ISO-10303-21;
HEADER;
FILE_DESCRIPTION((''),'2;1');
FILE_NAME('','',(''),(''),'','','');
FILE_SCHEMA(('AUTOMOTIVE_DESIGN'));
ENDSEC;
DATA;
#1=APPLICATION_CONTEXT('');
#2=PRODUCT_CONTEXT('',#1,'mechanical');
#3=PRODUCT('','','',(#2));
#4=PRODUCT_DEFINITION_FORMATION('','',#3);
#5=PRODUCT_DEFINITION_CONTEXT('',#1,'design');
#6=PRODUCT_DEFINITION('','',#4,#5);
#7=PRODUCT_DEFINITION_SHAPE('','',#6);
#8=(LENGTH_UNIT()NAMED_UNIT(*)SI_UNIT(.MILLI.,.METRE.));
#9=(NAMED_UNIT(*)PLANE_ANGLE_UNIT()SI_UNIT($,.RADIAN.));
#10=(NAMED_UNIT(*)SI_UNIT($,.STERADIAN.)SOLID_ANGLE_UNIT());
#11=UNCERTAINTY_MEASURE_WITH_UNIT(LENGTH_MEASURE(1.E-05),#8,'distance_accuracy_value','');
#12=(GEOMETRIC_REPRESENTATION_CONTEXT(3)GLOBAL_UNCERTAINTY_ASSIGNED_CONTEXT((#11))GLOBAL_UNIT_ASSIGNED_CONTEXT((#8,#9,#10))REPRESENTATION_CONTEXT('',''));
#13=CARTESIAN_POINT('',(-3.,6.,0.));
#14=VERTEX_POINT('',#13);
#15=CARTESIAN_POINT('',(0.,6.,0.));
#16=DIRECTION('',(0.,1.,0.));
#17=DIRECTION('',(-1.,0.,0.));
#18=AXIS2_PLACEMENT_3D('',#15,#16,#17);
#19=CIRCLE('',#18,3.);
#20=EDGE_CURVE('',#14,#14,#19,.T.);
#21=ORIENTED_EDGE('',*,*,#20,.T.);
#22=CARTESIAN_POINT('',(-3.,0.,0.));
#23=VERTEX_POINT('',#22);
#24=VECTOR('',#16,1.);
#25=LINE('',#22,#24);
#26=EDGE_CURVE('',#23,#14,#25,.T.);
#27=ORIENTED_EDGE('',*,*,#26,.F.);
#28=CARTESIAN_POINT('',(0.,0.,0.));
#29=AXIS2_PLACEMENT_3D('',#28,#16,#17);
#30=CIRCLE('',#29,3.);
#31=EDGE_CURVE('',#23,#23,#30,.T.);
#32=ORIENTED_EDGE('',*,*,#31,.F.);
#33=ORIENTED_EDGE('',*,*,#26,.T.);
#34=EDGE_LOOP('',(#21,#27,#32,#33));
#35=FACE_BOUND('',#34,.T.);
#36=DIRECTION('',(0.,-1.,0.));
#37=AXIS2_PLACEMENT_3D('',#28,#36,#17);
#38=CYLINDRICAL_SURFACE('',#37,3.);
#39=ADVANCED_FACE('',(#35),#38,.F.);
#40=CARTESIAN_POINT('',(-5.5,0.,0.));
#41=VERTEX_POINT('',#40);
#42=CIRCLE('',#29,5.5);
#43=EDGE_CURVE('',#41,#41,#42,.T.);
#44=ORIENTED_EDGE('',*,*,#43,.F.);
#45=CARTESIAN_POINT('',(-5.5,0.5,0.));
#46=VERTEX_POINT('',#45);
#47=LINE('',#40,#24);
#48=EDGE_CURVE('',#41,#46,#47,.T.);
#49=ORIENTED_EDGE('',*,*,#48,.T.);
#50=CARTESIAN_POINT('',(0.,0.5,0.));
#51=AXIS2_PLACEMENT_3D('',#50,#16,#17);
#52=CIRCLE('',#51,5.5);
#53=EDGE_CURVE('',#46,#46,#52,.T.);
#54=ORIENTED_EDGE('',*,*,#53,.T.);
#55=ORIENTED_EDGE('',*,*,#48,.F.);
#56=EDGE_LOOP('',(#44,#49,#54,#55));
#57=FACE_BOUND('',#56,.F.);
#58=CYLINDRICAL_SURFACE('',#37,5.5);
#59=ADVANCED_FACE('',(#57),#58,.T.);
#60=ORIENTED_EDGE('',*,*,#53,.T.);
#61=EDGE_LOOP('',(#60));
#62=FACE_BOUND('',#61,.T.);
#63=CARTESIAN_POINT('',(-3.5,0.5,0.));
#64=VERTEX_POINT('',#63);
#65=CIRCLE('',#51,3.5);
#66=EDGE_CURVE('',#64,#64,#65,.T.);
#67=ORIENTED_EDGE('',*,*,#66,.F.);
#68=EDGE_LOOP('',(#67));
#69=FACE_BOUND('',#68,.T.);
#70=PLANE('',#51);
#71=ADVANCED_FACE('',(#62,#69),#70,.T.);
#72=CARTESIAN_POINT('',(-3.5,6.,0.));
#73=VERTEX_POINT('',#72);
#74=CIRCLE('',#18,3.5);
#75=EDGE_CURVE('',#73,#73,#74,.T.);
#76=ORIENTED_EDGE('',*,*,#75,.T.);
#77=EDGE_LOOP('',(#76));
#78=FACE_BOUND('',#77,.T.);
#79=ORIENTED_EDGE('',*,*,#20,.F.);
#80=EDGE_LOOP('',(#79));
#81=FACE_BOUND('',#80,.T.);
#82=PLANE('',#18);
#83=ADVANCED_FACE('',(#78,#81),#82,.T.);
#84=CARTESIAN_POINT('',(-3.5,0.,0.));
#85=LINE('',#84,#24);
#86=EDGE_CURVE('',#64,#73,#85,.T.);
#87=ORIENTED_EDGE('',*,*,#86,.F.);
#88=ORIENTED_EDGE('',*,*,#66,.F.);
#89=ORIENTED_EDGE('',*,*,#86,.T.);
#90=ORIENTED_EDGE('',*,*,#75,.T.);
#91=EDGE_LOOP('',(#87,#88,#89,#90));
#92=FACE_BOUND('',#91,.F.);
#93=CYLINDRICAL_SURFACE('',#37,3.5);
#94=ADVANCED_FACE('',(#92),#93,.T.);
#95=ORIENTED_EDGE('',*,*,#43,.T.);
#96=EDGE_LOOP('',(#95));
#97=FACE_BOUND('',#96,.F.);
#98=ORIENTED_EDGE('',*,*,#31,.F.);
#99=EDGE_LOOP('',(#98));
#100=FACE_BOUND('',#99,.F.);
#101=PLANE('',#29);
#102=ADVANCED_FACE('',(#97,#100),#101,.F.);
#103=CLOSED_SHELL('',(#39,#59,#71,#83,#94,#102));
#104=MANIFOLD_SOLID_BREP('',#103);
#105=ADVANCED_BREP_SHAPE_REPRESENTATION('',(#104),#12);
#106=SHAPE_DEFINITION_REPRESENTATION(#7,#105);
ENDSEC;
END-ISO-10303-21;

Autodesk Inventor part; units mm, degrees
ref_plane "YZ Plane" through (0, 0, 0) normal (1, 0, 0) x (0, 1, 0)
ref_plane "XZ Plane" through (0, 0, 0) normal (0, 1, 0) x (-1, 0, 0)
ref_plane "XY Plane" through (0, 0, 0) normal (0, 0, 1) x (1, 0, 0)
sketch "スケッチ1" plane through (0, 0, 0) normal (0, 1, 0) x (-1, 0, 0)
  circle A0 centre (0, 0) radius 5.5
  circle A1 centre (0, 0) radius 3.5
  circle A2 centre (0, 0) radius 3
  dimension "d0" = 11
  dimension "d1" = 7
  dimension "d2" = 6
extrude "押し出し1" add sketch "スケッチ1" along normal blind 0.5 contours A0
extrude "押し出し2" add sketch "スケッチ1" along normal blind 6 contours A1
properties part number "GFM-0607-06"
